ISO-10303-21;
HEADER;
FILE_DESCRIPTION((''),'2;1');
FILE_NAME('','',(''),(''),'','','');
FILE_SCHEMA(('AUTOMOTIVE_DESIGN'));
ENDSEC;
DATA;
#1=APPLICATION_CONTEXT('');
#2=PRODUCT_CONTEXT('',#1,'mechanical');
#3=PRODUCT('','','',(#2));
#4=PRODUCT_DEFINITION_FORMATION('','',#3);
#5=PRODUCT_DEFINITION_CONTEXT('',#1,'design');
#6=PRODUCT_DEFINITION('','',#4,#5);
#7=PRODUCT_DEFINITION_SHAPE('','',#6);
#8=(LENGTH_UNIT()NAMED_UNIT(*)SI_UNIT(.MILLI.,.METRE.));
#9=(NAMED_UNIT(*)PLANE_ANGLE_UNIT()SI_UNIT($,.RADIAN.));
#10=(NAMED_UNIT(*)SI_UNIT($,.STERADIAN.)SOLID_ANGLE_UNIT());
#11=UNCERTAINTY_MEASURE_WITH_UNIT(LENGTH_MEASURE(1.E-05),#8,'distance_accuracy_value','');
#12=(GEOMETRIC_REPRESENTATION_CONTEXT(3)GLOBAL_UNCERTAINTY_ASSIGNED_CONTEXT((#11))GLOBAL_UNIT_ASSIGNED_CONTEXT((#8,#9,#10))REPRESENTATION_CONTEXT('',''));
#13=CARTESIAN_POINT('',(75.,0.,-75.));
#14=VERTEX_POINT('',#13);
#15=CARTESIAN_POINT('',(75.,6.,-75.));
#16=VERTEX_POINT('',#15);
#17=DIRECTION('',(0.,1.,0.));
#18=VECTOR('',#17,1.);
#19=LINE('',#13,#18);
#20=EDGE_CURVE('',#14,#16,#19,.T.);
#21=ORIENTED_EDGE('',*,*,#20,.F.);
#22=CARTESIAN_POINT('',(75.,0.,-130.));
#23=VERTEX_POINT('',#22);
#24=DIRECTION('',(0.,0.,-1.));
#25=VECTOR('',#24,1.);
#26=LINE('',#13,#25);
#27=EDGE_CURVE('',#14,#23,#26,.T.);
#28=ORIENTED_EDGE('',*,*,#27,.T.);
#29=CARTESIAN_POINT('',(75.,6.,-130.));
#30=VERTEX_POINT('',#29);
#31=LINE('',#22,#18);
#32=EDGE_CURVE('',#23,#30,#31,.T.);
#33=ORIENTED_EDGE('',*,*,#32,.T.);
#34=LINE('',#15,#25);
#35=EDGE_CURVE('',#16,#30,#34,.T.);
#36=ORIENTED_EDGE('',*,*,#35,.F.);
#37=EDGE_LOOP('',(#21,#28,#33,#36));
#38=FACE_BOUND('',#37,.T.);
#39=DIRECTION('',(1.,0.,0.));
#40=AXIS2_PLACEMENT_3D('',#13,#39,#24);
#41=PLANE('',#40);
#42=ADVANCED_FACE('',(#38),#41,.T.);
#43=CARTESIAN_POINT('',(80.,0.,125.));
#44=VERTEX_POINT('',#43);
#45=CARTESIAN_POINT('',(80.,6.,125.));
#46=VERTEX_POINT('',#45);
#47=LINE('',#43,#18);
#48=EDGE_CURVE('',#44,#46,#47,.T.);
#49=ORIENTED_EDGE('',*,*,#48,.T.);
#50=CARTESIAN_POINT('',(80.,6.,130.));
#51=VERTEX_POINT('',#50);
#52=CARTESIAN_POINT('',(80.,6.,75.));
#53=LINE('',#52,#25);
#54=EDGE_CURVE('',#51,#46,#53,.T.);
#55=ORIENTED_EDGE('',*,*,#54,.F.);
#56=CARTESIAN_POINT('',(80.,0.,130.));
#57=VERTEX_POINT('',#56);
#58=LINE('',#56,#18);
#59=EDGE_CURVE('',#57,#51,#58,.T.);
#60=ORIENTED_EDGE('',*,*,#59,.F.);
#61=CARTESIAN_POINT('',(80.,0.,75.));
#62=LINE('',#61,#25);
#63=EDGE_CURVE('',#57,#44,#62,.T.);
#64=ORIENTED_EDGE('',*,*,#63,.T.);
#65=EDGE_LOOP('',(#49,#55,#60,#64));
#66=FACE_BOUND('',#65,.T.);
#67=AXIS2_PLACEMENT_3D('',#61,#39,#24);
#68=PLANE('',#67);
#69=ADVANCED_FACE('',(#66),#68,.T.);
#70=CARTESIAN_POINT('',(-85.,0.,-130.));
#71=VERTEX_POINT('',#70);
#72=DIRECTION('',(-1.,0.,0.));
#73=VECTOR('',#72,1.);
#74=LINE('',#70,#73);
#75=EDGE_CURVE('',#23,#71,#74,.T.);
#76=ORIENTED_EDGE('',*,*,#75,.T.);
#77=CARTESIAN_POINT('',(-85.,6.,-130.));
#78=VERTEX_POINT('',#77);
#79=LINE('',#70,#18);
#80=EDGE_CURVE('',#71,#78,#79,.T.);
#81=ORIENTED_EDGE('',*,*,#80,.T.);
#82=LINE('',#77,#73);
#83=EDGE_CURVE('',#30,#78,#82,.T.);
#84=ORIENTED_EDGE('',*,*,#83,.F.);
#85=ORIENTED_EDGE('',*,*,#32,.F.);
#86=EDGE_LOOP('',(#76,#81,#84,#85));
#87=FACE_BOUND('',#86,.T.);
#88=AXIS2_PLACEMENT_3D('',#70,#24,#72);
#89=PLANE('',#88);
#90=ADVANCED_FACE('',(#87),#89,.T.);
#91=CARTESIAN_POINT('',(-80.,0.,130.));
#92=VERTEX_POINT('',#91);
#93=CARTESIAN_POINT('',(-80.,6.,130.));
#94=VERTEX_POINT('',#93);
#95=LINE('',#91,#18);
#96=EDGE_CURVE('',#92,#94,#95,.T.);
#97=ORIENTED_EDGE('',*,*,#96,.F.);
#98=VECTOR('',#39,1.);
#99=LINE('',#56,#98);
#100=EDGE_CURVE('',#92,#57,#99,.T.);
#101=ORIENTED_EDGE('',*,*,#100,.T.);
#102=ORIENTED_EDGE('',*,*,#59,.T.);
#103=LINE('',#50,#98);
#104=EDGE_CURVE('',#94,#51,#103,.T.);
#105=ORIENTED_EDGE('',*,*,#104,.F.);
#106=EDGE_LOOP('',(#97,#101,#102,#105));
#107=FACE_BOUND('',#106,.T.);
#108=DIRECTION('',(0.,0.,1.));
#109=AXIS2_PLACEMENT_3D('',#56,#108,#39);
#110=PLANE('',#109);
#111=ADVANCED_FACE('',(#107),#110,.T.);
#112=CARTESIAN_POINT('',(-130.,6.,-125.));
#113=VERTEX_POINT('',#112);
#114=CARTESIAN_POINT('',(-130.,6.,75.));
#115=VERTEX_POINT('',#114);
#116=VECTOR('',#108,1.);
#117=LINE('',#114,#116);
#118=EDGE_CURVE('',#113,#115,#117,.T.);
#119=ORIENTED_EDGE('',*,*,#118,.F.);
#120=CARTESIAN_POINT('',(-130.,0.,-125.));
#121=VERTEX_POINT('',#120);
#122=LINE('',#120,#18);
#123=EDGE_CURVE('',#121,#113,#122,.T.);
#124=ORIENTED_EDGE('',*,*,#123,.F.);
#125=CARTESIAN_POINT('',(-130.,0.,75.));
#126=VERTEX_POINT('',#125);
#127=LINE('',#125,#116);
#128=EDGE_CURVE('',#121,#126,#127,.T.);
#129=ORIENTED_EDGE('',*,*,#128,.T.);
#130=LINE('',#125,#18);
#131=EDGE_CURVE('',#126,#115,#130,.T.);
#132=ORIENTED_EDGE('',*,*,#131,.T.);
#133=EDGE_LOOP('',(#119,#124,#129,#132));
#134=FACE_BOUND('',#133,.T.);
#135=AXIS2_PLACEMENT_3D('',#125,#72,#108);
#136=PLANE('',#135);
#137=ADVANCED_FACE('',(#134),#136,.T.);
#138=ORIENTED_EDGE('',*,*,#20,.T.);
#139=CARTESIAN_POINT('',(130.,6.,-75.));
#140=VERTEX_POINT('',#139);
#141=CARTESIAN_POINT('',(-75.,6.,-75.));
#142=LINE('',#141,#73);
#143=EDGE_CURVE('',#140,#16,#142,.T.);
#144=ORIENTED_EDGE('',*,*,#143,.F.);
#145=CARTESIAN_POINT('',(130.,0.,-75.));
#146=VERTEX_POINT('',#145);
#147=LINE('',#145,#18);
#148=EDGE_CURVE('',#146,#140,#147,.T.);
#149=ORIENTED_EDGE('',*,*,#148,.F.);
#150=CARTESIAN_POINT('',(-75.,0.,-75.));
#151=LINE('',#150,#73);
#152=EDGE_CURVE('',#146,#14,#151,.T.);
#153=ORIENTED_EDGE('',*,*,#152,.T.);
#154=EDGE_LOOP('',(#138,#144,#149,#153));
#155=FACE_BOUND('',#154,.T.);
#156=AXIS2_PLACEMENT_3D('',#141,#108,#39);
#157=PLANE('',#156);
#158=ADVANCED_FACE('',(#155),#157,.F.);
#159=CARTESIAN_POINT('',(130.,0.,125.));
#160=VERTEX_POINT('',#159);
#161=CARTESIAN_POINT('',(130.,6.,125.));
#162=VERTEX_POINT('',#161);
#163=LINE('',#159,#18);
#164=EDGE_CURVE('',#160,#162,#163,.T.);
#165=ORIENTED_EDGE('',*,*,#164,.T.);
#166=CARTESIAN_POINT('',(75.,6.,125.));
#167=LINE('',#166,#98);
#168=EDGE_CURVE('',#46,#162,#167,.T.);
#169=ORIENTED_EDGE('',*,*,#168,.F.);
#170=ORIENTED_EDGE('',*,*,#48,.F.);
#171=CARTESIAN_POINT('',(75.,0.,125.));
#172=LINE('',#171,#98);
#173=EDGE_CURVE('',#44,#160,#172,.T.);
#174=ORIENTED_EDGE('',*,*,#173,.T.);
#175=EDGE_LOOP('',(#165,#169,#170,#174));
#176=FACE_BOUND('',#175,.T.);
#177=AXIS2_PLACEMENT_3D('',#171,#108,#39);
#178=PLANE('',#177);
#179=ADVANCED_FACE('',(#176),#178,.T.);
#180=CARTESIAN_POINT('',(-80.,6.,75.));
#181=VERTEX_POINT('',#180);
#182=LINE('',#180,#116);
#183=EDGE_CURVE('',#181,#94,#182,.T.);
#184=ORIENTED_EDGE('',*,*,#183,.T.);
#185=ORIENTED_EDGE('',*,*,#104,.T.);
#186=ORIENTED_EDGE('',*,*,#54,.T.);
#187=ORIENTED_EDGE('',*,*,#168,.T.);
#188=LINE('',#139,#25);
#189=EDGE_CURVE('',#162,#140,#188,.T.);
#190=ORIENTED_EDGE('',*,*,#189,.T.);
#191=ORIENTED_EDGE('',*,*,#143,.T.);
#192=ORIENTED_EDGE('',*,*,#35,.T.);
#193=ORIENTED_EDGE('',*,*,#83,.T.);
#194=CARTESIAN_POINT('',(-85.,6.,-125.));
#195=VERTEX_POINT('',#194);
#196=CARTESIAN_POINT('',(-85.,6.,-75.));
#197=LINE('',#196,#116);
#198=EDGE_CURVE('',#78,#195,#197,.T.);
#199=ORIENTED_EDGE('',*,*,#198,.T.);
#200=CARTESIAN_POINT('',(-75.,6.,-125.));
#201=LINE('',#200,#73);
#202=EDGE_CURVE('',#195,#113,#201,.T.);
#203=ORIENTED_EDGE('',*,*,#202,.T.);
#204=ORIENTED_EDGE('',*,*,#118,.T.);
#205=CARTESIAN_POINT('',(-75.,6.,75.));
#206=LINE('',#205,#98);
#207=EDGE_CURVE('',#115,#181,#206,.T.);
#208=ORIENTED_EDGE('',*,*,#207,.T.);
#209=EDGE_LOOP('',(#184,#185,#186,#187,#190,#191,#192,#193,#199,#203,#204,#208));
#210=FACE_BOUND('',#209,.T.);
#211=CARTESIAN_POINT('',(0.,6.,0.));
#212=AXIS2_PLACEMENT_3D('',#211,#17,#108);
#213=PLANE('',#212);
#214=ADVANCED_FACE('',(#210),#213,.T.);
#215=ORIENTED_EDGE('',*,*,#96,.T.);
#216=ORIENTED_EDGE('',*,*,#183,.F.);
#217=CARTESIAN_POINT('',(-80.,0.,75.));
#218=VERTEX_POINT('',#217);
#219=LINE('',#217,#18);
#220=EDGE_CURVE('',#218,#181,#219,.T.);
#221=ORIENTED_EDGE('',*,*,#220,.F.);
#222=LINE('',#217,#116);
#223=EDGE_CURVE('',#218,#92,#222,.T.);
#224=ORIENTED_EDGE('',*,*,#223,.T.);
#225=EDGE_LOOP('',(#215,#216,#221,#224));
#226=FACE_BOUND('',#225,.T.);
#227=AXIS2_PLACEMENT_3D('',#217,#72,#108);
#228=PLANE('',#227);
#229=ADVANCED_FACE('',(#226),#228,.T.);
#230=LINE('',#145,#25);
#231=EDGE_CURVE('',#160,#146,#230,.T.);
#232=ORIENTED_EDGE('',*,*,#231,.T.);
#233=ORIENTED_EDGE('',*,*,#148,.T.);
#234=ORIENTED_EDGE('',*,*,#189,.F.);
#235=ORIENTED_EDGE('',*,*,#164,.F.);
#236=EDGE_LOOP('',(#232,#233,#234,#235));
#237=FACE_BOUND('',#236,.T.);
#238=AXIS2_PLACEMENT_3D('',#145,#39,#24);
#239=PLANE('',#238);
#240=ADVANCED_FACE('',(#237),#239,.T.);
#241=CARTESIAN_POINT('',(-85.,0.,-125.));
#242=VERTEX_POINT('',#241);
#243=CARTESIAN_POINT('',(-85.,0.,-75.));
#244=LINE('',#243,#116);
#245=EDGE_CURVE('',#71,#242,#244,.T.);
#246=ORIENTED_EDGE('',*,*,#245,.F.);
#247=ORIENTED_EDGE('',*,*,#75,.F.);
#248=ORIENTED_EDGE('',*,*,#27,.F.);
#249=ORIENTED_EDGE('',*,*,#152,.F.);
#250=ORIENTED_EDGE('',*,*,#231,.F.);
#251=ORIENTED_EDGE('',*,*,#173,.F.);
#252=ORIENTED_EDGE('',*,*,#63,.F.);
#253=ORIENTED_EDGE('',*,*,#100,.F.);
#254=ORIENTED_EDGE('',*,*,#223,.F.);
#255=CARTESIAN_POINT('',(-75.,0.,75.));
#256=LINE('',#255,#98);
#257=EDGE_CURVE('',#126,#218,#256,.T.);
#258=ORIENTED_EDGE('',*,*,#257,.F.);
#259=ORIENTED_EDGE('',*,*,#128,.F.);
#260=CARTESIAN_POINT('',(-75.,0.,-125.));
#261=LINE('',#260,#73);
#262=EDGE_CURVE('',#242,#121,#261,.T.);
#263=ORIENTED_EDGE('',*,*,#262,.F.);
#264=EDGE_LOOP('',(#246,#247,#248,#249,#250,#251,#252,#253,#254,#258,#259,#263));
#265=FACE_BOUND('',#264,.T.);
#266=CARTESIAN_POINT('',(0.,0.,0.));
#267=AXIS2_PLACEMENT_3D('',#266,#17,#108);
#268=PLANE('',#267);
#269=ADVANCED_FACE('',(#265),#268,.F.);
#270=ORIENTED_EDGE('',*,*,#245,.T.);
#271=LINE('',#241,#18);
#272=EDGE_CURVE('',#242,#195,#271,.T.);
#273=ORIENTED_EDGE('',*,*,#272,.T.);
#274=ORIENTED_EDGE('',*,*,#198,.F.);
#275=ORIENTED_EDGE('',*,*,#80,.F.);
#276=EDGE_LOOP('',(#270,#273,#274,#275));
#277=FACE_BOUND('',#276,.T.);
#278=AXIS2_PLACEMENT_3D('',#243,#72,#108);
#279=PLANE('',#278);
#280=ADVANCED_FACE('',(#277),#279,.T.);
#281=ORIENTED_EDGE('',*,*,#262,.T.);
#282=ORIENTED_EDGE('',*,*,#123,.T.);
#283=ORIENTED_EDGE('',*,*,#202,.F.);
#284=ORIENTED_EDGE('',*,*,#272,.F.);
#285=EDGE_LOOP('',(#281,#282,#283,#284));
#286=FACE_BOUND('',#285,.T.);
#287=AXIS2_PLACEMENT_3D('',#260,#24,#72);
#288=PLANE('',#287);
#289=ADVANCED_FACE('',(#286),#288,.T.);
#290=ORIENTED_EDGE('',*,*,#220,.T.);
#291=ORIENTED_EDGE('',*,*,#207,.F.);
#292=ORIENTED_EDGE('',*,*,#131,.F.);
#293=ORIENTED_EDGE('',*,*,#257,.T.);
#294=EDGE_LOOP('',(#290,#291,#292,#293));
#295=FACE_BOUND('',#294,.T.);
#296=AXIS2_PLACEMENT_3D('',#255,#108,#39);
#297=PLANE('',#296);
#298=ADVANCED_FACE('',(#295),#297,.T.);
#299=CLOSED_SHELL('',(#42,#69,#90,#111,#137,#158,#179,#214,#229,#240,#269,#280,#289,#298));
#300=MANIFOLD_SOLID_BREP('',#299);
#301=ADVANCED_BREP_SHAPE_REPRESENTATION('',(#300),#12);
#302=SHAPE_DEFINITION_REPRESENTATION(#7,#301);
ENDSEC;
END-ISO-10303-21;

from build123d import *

# Parameters (mm, degrees)
SKETCH1_W           = 150
SKETCH1_H           = 150
BOSS_EXTRUDE1_DEPTH = 6
CUT_EXTRUDE2_DEPTH  = 6
SKETCH3_W           = 55
SKETCH3_H           = 200
BOSS_EXTRUDE3_DEPTH = 6
SKETCH4_W           = 160
SKETCH4_H           = 55
BOSS_EXTRUDE4_DEPTH = 6
SKETCH5_W           = 55
SKETCH5_H           = 200
BOSS_EXTRUDE5_DEPTH = 6
SKETCH6_W           = 160
SKETCH6_H           = 55
BOSS_EXTRUDE6_DEPTH = 6


with BuildPart() as part:
    # Sketch1 → Boss-Extrude1 (new body)
    with BuildSketch(Plane(origin=(0, 0, 0), x_dir=(1, 0, 0), z_dir=(0, 1, 0))):
        Rectangle(SKETCH1_W, SKETCH1_H)
    extrude(amount=BOSS_EXTRUDE1_DEPTH)

    # Sketch2 → Cut-Extrude2 (cut)
    with BuildSketch(Plane(origin=(0, 6, 0), x_dir=(1, 0, 0), z_dir=(0, 1, 0))):
        Polygon((-5, -65), (-5, -5), (-65, -65), align=None)
        Polygon((-10, 0), (-5, 5), (-15, 5), align=None)
        Polygon((-5, 65), (-65, 65), (-5, 5), align=None)
        Polygon((-65, 5), (-15, 5), (-65, 55), align=None)
        Polygon((-10, 0), (-15, 5), (-65, 5), (-65, -5), (-15, -5), align=None)
        Polygon((-5, -5), (-10, 0), (-15, -5), align=None)
        Polygon((-65, -55), (-15, -5), (-65, -5), align=None)
        Polygon((5, 5), (65, 65), (5, 65), align=None)
        Polygon((65, -65), (5, -5), (5, -65), align=None)
        Polygon((15, 5), (5, 5), (10, 0), align=None)
        Polygon((65, 5), (15, 5), (10, 0), (15, -5), (65, -5), align=None)
        Polygon((65, 55), (15, 5), (65, 5), align=None)
        Polygon((15, -5), (10, 0), (5, -5), align=None)
        Polygon((65, -5), (15, -5), (65, -55), align=None)
    extrude(amount=-CUT_EXTRUDE2_DEPTH, mode=Mode.SUBTRACT)

    # Sketch3 → Boss-Extrude3 (add)
    with BuildSketch(Plane(origin=(0, 6, 0), x_dir=(1, 0, 0), z_dir=(0, 1, 0))):
        with Locations((102.5, -25)):
            Rectangle(SKETCH3_W, SKETCH3_H)
        Polygon((65, -65), (5, -5), (5, -65), align=None)
        Polygon((10, 0), (5, -5), (15, -5), (65, -55), (65, 55), (15, 5), (5, 5), align=None)
        Polygon((5, 65), (5, 5), (65, 65), align=None)
        Polygon((-5, -65), (-5, -5), (-65, -65), align=None)
        Polygon((-15, -5), (-5, -5), (-10, 0), (-5, 5), (-15, 5), (-65, 55), (-65, -55), align=None)
        Polygon((-65, 65), (-5, 5), (-5, 65), align=None)
    extrude(amount=-BOSS_EXTRUDE3_DEPTH)

    # Sketch4 → Boss-Extrude4 (add)
    with BuildSketch(Plane(origin=(0, 6, 0), x_dir=(1, 0, 0), z_dir=(0, 1, 0))):
        with Locations((0, -102.5)):
            Rectangle(SKETCH4_W, SKETCH4_H)
    extrude(amount=-BOSS_EXTRUDE4_DEPTH)

    # Sketch5 → Boss-Extrude5 (add)
    with BuildSketch(Plane(origin=(0, 6, 0), x_dir=(1, 0, 0), z_dir=(0, 1, 0))):
        with Locations((-102.5, 25)):
            Rectangle(SKETCH5_W, SKETCH5_H)
    extrude(amount=-BOSS_EXTRUDE5_DEPTH)

    # Sketch6 → Boss-Extrude6 (add)
    with BuildSketch(Plane(origin=(0, 6, 0), x_dir=(1, 0, 0), z_dir=(0, 1, 0))):
        with Locations((-5, 102.5)):
            Rectangle(SKETCH6_W, SKETCH6_H)
    extrude(amount=-BOSS_EXTRUDE6_DEPTH)


solid = part.part
